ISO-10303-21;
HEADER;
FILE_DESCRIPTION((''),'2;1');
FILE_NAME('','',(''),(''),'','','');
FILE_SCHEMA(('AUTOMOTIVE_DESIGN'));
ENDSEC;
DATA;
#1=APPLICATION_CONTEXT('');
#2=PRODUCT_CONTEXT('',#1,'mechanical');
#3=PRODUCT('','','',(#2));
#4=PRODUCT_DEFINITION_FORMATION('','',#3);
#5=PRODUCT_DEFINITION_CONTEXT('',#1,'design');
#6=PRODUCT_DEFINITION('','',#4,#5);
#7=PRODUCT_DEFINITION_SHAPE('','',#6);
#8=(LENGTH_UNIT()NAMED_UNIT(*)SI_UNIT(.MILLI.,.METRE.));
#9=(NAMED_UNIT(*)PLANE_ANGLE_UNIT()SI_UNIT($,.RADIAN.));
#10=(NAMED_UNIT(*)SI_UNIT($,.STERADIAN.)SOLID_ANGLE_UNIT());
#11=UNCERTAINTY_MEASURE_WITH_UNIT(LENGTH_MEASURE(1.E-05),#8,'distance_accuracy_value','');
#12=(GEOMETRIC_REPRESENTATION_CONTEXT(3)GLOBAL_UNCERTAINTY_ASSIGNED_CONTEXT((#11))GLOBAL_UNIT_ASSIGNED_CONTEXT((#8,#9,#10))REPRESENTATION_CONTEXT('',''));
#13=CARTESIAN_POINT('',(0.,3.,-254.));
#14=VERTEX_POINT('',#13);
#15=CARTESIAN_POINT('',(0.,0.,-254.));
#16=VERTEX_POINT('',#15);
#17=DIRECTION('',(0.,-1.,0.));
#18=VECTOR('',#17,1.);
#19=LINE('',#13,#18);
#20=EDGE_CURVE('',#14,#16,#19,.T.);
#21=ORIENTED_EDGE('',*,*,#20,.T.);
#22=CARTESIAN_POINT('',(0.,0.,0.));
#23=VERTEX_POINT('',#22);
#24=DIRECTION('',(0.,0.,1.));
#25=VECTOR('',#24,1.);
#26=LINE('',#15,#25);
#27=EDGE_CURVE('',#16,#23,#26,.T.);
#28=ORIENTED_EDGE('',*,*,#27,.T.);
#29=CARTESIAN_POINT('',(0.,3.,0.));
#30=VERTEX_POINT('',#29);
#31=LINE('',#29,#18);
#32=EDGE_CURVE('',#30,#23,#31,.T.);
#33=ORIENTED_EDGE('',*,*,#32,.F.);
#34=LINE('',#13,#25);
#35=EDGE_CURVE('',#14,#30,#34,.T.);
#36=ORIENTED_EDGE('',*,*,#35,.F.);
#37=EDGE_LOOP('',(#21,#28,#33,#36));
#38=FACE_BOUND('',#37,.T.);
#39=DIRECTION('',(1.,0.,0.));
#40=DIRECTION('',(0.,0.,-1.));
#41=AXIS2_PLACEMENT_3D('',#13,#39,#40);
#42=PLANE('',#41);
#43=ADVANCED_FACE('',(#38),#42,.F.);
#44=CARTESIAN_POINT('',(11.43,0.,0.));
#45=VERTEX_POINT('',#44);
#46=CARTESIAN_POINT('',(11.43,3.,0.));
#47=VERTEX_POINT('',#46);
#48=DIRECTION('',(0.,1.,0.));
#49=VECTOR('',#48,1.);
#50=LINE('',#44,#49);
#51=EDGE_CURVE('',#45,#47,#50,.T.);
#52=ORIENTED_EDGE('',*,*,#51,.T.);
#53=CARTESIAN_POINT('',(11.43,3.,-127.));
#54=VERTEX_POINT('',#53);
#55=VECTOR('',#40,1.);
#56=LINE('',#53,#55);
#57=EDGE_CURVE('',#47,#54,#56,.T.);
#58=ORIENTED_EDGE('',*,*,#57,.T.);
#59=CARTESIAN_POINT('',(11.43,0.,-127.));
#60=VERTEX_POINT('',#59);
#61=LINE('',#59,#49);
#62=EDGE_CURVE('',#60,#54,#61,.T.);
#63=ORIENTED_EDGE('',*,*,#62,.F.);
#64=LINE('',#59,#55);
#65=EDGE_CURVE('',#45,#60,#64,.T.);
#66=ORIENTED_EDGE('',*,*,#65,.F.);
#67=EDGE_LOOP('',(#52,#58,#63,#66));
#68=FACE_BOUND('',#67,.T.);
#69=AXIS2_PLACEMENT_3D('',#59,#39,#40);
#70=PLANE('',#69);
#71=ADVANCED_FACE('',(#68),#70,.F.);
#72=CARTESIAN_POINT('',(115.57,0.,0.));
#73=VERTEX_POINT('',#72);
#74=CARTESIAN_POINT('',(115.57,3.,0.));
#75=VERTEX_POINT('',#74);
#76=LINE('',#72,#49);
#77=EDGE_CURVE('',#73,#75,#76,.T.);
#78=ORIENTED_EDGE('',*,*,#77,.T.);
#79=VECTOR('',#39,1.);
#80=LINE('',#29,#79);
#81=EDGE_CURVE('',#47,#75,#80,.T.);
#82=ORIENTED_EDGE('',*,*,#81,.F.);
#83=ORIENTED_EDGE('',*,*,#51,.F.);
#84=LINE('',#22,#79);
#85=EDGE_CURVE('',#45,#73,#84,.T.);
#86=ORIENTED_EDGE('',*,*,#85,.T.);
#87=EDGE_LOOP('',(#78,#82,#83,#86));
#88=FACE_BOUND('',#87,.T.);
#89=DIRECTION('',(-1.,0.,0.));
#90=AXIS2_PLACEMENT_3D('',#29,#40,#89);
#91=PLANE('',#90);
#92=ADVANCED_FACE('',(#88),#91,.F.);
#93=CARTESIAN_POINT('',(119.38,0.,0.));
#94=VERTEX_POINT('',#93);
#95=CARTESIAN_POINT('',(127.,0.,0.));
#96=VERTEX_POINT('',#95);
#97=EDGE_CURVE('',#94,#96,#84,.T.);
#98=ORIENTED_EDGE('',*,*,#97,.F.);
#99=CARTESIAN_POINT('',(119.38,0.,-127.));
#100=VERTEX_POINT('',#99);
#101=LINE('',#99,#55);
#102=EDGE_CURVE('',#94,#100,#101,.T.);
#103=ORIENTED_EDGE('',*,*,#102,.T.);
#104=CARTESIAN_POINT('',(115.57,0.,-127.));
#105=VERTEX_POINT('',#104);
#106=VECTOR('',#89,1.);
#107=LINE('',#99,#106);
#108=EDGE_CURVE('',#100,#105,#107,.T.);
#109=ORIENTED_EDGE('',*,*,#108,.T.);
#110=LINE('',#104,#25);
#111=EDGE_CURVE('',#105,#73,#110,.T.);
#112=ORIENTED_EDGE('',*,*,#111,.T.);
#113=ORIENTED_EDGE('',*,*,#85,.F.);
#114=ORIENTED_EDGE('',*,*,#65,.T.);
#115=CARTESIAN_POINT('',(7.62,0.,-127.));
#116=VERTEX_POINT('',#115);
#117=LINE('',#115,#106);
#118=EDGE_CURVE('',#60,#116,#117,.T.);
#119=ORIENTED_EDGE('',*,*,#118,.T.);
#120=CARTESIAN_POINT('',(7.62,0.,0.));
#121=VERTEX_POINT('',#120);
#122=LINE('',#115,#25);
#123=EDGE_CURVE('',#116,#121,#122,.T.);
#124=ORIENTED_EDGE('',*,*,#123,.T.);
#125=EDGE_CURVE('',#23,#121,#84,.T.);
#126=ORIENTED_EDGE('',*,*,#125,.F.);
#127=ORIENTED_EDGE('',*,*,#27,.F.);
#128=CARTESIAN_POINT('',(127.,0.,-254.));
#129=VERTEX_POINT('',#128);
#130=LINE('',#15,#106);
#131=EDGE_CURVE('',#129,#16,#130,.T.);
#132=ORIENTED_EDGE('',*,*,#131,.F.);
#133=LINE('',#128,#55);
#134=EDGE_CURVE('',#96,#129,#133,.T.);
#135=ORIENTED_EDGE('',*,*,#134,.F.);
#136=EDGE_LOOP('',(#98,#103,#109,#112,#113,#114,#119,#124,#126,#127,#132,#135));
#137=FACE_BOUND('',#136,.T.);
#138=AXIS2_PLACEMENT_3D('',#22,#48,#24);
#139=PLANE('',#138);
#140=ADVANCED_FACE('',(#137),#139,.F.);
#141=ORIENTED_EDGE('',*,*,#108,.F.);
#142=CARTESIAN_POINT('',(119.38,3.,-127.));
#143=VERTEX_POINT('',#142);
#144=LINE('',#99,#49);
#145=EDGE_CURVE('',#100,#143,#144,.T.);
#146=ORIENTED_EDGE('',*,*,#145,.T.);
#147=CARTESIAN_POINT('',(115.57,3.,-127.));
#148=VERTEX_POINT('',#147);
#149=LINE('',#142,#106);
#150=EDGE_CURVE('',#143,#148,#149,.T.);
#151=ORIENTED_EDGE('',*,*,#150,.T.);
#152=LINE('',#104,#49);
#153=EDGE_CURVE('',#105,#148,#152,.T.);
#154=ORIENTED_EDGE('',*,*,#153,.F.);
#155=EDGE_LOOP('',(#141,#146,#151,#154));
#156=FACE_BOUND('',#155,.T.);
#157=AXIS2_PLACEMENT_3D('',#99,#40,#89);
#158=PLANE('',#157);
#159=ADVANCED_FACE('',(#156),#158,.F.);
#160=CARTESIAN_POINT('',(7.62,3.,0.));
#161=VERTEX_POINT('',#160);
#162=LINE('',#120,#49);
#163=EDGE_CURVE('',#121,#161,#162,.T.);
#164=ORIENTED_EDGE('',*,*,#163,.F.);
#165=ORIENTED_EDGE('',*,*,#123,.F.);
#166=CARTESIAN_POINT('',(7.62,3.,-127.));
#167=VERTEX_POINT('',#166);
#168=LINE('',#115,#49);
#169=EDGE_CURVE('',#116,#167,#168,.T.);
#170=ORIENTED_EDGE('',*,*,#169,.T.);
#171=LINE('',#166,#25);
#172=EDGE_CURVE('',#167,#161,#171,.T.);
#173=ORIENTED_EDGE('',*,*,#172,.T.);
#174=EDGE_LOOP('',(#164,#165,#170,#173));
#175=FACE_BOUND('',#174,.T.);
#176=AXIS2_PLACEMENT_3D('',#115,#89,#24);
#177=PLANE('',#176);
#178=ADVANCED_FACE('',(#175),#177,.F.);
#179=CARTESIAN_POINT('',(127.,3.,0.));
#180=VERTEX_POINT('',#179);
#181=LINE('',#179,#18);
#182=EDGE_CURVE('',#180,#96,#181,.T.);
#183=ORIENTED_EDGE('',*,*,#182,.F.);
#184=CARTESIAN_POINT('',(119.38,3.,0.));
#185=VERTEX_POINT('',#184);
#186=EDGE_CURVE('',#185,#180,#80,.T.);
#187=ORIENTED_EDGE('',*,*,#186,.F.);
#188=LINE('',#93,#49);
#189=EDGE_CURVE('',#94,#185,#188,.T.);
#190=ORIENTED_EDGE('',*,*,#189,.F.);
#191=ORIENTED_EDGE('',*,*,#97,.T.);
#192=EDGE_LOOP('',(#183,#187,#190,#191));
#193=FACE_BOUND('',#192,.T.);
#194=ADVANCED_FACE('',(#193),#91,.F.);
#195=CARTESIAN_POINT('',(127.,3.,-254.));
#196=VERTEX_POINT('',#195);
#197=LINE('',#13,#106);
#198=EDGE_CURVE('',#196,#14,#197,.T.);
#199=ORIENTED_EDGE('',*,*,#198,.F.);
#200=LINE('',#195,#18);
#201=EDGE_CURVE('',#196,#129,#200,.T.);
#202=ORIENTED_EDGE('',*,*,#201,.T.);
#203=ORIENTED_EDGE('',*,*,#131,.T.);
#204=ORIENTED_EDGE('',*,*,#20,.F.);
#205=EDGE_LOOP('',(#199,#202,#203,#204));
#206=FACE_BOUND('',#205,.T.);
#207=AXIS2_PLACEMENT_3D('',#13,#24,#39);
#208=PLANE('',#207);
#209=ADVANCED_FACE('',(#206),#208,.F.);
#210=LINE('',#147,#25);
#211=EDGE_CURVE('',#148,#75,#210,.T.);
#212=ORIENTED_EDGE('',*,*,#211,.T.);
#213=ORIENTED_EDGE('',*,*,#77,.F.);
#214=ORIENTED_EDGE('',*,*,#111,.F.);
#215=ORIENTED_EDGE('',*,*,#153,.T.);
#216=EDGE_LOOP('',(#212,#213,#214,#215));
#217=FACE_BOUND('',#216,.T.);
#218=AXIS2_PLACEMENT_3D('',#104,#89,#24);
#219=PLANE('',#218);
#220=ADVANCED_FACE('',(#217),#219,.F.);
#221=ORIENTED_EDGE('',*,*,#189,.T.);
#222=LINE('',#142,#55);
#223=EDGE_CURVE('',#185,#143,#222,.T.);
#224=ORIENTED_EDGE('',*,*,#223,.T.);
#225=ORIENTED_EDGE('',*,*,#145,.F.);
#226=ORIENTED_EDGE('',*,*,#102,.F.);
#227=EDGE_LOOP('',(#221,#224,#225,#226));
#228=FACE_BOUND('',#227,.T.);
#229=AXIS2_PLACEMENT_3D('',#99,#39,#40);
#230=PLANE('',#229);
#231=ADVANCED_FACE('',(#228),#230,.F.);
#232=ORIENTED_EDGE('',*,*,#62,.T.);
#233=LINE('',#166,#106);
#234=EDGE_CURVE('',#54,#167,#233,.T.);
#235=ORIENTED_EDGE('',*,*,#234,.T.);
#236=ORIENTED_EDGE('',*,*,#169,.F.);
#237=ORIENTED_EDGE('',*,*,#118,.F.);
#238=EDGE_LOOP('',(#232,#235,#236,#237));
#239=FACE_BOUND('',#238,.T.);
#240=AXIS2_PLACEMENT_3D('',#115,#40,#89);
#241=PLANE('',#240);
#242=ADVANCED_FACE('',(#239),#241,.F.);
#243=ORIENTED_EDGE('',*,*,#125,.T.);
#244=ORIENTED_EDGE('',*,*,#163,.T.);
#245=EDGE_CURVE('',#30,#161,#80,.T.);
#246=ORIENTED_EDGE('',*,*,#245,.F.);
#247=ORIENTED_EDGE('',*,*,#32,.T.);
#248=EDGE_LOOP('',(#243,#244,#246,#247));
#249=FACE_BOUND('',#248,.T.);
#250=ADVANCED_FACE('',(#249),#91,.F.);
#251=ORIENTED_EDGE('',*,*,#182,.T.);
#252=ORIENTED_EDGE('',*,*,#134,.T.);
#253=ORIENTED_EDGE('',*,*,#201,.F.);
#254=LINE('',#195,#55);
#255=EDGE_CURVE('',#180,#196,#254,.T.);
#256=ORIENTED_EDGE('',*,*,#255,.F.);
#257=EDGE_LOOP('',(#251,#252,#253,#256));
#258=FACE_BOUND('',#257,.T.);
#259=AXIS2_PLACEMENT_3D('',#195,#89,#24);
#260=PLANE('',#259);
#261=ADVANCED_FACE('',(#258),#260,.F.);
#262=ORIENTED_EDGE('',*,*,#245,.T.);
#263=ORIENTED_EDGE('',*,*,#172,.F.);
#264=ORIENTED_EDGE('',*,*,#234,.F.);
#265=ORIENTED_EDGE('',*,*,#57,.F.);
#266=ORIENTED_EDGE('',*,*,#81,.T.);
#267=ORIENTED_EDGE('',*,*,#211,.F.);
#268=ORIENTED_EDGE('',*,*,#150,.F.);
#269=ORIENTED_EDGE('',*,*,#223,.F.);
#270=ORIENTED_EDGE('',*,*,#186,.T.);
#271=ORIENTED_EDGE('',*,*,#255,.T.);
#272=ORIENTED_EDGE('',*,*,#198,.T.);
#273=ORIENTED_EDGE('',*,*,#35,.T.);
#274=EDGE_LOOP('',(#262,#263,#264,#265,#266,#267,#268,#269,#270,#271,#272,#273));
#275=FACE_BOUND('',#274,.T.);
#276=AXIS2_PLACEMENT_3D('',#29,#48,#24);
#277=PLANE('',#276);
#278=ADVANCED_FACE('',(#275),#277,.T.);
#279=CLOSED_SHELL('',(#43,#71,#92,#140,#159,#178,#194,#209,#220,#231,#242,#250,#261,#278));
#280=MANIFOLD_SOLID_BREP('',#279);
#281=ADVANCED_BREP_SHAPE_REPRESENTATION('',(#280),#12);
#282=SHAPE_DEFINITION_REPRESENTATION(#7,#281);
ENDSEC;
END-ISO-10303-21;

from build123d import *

# Parameters (mm, degrees)
SKETCH1_W           = 127
SKETCH1_H           = 254
BOSS_EXTRUDE1_DEPTH = 3
SKETCH2_W           = 3.81
SKETCH2_H           = 127
CUT_EXTRUDE1_DEPTH  = 284.996478851


with BuildPart() as part:
    # Sketch1 → Boss-Extrude1 (new body)
    with BuildSketch(Plane(origin=(0, 0, 0), x_dir=(1, 0, 0), z_dir=(0, 1, 0))):
        with Locations((63.5, 127)):
            Rectangle(SKETCH1_W, SKETCH1_H)
    extrude(amount=BOSS_EXTRUDE1_DEPTH)

    # Sketch2 → Cut-Extrude1 (cut, through all)
    with BuildSketch(Plane(origin=(0, 3, 0), x_dir=(1, 0, 0), z_dir=(0, 1, 0))):
        with Locations((9.525, 63.5)):
            Rectangle(SKETCH2_W, SKETCH2_H)
        with Locations((117.475, 63.5)):
            Rectangle(SKETCH2_W, SKETCH2_H)
    extrude(amount=-CUT_EXTRUDE1_DEPTH, mode=Mode.SUBTRACT)


solid = part.part
